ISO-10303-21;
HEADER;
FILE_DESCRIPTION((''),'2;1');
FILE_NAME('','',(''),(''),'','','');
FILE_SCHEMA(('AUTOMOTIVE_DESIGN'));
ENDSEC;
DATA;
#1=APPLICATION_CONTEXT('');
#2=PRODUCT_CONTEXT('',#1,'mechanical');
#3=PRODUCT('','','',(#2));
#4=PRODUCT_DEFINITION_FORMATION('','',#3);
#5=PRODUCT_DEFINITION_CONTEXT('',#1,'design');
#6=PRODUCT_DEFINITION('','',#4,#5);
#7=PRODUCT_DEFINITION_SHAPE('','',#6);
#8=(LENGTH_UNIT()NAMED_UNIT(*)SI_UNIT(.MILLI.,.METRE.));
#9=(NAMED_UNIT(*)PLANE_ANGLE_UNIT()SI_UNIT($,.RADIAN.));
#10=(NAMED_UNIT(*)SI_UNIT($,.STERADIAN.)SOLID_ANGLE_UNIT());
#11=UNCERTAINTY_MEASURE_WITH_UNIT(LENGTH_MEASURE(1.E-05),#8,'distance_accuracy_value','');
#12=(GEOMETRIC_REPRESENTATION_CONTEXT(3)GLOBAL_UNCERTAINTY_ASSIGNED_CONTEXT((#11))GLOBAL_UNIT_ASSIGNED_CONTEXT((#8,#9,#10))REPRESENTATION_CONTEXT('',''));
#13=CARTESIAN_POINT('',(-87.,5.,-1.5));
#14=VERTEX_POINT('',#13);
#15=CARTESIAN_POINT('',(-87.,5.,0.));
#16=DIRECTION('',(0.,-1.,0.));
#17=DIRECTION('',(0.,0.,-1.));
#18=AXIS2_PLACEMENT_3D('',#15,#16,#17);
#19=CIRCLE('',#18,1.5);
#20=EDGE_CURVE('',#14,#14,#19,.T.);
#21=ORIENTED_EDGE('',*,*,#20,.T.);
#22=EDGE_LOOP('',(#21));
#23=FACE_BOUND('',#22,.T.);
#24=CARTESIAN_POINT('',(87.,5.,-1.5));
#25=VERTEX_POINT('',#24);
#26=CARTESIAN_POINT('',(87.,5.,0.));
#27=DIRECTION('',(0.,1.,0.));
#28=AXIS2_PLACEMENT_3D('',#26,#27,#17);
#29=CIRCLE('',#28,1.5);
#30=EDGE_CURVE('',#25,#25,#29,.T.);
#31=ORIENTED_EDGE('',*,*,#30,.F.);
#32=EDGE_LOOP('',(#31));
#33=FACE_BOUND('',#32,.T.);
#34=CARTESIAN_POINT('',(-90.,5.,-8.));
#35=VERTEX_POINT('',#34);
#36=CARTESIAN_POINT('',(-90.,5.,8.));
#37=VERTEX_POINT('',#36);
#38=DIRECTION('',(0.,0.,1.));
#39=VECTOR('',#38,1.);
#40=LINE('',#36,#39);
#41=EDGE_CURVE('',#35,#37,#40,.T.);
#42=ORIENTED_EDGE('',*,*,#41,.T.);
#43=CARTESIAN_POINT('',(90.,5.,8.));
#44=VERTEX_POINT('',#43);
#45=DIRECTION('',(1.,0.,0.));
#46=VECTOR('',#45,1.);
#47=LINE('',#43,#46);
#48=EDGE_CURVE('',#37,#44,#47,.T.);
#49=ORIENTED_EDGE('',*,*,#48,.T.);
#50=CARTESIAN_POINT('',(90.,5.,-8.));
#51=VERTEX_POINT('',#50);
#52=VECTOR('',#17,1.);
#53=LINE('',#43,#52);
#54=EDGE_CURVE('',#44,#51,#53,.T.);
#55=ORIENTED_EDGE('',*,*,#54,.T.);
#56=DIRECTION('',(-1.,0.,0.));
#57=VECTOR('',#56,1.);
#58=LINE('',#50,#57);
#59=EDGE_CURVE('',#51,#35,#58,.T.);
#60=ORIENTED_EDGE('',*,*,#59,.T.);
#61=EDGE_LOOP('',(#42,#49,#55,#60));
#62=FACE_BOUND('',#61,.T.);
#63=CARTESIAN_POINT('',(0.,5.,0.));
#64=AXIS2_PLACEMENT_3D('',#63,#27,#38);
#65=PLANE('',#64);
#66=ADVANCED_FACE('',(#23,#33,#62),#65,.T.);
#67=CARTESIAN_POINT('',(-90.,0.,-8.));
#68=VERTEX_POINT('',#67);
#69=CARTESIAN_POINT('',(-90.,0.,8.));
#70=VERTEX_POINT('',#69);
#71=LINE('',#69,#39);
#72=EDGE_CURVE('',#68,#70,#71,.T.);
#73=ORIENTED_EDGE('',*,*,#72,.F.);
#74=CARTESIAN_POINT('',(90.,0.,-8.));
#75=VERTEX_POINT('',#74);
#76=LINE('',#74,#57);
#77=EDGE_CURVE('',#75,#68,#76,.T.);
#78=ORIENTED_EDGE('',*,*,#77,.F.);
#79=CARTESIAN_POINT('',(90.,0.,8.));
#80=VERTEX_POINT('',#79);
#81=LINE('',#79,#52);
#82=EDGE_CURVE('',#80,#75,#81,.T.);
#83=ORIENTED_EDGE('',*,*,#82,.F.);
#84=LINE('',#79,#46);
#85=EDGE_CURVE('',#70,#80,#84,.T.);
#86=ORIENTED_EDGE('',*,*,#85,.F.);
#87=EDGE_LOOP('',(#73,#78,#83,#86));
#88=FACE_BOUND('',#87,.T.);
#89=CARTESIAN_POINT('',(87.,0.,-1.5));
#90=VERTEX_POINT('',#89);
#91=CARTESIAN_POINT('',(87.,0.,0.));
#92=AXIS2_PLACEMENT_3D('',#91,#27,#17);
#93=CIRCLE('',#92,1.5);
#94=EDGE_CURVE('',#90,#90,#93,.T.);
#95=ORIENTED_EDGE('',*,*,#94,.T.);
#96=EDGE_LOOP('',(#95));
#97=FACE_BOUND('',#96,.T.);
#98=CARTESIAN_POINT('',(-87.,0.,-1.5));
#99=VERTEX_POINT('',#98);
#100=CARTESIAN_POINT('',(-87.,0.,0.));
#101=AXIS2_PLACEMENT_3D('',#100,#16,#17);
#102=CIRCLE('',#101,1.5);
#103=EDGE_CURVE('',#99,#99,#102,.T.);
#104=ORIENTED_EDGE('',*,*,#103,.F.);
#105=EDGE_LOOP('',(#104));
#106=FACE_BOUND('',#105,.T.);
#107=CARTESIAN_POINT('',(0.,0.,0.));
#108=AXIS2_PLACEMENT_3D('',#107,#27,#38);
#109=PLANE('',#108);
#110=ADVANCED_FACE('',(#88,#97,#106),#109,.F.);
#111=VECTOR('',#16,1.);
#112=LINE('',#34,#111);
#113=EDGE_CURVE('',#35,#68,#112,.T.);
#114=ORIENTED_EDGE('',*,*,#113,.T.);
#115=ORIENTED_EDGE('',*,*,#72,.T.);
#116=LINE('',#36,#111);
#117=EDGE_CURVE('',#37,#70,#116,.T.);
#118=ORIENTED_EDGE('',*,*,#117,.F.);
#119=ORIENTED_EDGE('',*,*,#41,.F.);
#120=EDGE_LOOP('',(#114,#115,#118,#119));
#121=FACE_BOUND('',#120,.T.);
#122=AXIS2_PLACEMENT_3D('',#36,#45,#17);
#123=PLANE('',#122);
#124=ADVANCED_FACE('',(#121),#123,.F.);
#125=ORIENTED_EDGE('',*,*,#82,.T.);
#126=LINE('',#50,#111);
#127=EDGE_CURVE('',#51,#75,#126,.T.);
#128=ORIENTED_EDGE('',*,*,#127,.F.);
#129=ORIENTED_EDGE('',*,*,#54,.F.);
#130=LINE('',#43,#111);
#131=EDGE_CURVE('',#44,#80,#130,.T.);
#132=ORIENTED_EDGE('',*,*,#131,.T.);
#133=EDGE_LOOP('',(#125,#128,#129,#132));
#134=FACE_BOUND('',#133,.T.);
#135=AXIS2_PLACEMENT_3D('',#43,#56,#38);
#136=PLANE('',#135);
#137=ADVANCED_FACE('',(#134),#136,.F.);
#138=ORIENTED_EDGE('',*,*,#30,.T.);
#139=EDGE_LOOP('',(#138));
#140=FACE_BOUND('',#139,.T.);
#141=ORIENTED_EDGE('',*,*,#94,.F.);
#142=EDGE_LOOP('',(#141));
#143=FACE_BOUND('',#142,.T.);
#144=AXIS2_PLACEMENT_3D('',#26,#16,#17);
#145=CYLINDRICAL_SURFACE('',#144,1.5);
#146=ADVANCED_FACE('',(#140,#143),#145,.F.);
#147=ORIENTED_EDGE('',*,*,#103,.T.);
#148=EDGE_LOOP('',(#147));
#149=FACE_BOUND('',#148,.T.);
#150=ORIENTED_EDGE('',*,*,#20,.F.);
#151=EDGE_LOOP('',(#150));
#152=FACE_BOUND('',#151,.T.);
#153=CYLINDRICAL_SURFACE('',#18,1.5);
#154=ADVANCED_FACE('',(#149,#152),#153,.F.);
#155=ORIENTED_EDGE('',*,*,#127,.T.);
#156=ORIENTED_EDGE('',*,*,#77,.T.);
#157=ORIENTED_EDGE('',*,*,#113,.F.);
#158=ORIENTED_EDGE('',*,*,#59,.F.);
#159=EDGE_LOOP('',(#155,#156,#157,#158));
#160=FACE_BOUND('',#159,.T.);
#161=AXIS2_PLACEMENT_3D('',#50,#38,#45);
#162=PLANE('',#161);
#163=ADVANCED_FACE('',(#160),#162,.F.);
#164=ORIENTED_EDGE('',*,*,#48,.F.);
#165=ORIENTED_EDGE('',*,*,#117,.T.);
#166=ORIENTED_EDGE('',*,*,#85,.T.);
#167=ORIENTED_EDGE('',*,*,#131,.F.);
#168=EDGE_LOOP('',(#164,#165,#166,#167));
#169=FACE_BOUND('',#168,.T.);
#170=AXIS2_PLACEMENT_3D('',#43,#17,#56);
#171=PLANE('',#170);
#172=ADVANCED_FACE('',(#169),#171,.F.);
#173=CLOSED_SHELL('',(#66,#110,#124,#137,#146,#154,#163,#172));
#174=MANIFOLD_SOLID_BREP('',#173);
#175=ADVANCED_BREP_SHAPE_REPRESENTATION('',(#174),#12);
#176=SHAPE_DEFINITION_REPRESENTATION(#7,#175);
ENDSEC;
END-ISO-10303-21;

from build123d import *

# Parameters (mm, degrees)
CROQUIS1_W              = 180
CROQUIS1_H              = 16
SALIENTE_EXTRUIR1_DEPTH = 5
CROQUIS2_R              = 1.5
CORTAR_EXTRUIR1_DEPTH   = 91.493093659


with BuildPart() as part:
    # Croquis1 → Saliente-Extruir1 (new body)
    with BuildSketch(Plane(origin=(0, 0, 0), x_dir=(1, 0, 0), z_dir=(0, 1, 0))):
        Rectangle(CROQUIS1_W, CROQUIS1_H)
    extrude(amount=SALIENTE_EXTRUIR1_DEPTH)

    # Croquis2 → Cortar-Extruir1 (cut, through all)
    with BuildSketch(Plane.XZ):
        with Locations(Location((-87, 0, 0), (0, 0, 270))):
            Circle(CROQUIS2_R)
    cortar_extruir1 = extrude(amount=-CORTAR_EXTRUIR1_DEPTH, mode=Mode.SUBTRACT)

    # Simetría1: Cortar-Extruir1 across plane
    add(cortar_extruir1.mirror(Plane(origin=(0, 0, 0), x_dir=(0, 0, 1), z_dir=(1, 0, 0))), mode=Mode.SUBTRACT)


solid = part.part
